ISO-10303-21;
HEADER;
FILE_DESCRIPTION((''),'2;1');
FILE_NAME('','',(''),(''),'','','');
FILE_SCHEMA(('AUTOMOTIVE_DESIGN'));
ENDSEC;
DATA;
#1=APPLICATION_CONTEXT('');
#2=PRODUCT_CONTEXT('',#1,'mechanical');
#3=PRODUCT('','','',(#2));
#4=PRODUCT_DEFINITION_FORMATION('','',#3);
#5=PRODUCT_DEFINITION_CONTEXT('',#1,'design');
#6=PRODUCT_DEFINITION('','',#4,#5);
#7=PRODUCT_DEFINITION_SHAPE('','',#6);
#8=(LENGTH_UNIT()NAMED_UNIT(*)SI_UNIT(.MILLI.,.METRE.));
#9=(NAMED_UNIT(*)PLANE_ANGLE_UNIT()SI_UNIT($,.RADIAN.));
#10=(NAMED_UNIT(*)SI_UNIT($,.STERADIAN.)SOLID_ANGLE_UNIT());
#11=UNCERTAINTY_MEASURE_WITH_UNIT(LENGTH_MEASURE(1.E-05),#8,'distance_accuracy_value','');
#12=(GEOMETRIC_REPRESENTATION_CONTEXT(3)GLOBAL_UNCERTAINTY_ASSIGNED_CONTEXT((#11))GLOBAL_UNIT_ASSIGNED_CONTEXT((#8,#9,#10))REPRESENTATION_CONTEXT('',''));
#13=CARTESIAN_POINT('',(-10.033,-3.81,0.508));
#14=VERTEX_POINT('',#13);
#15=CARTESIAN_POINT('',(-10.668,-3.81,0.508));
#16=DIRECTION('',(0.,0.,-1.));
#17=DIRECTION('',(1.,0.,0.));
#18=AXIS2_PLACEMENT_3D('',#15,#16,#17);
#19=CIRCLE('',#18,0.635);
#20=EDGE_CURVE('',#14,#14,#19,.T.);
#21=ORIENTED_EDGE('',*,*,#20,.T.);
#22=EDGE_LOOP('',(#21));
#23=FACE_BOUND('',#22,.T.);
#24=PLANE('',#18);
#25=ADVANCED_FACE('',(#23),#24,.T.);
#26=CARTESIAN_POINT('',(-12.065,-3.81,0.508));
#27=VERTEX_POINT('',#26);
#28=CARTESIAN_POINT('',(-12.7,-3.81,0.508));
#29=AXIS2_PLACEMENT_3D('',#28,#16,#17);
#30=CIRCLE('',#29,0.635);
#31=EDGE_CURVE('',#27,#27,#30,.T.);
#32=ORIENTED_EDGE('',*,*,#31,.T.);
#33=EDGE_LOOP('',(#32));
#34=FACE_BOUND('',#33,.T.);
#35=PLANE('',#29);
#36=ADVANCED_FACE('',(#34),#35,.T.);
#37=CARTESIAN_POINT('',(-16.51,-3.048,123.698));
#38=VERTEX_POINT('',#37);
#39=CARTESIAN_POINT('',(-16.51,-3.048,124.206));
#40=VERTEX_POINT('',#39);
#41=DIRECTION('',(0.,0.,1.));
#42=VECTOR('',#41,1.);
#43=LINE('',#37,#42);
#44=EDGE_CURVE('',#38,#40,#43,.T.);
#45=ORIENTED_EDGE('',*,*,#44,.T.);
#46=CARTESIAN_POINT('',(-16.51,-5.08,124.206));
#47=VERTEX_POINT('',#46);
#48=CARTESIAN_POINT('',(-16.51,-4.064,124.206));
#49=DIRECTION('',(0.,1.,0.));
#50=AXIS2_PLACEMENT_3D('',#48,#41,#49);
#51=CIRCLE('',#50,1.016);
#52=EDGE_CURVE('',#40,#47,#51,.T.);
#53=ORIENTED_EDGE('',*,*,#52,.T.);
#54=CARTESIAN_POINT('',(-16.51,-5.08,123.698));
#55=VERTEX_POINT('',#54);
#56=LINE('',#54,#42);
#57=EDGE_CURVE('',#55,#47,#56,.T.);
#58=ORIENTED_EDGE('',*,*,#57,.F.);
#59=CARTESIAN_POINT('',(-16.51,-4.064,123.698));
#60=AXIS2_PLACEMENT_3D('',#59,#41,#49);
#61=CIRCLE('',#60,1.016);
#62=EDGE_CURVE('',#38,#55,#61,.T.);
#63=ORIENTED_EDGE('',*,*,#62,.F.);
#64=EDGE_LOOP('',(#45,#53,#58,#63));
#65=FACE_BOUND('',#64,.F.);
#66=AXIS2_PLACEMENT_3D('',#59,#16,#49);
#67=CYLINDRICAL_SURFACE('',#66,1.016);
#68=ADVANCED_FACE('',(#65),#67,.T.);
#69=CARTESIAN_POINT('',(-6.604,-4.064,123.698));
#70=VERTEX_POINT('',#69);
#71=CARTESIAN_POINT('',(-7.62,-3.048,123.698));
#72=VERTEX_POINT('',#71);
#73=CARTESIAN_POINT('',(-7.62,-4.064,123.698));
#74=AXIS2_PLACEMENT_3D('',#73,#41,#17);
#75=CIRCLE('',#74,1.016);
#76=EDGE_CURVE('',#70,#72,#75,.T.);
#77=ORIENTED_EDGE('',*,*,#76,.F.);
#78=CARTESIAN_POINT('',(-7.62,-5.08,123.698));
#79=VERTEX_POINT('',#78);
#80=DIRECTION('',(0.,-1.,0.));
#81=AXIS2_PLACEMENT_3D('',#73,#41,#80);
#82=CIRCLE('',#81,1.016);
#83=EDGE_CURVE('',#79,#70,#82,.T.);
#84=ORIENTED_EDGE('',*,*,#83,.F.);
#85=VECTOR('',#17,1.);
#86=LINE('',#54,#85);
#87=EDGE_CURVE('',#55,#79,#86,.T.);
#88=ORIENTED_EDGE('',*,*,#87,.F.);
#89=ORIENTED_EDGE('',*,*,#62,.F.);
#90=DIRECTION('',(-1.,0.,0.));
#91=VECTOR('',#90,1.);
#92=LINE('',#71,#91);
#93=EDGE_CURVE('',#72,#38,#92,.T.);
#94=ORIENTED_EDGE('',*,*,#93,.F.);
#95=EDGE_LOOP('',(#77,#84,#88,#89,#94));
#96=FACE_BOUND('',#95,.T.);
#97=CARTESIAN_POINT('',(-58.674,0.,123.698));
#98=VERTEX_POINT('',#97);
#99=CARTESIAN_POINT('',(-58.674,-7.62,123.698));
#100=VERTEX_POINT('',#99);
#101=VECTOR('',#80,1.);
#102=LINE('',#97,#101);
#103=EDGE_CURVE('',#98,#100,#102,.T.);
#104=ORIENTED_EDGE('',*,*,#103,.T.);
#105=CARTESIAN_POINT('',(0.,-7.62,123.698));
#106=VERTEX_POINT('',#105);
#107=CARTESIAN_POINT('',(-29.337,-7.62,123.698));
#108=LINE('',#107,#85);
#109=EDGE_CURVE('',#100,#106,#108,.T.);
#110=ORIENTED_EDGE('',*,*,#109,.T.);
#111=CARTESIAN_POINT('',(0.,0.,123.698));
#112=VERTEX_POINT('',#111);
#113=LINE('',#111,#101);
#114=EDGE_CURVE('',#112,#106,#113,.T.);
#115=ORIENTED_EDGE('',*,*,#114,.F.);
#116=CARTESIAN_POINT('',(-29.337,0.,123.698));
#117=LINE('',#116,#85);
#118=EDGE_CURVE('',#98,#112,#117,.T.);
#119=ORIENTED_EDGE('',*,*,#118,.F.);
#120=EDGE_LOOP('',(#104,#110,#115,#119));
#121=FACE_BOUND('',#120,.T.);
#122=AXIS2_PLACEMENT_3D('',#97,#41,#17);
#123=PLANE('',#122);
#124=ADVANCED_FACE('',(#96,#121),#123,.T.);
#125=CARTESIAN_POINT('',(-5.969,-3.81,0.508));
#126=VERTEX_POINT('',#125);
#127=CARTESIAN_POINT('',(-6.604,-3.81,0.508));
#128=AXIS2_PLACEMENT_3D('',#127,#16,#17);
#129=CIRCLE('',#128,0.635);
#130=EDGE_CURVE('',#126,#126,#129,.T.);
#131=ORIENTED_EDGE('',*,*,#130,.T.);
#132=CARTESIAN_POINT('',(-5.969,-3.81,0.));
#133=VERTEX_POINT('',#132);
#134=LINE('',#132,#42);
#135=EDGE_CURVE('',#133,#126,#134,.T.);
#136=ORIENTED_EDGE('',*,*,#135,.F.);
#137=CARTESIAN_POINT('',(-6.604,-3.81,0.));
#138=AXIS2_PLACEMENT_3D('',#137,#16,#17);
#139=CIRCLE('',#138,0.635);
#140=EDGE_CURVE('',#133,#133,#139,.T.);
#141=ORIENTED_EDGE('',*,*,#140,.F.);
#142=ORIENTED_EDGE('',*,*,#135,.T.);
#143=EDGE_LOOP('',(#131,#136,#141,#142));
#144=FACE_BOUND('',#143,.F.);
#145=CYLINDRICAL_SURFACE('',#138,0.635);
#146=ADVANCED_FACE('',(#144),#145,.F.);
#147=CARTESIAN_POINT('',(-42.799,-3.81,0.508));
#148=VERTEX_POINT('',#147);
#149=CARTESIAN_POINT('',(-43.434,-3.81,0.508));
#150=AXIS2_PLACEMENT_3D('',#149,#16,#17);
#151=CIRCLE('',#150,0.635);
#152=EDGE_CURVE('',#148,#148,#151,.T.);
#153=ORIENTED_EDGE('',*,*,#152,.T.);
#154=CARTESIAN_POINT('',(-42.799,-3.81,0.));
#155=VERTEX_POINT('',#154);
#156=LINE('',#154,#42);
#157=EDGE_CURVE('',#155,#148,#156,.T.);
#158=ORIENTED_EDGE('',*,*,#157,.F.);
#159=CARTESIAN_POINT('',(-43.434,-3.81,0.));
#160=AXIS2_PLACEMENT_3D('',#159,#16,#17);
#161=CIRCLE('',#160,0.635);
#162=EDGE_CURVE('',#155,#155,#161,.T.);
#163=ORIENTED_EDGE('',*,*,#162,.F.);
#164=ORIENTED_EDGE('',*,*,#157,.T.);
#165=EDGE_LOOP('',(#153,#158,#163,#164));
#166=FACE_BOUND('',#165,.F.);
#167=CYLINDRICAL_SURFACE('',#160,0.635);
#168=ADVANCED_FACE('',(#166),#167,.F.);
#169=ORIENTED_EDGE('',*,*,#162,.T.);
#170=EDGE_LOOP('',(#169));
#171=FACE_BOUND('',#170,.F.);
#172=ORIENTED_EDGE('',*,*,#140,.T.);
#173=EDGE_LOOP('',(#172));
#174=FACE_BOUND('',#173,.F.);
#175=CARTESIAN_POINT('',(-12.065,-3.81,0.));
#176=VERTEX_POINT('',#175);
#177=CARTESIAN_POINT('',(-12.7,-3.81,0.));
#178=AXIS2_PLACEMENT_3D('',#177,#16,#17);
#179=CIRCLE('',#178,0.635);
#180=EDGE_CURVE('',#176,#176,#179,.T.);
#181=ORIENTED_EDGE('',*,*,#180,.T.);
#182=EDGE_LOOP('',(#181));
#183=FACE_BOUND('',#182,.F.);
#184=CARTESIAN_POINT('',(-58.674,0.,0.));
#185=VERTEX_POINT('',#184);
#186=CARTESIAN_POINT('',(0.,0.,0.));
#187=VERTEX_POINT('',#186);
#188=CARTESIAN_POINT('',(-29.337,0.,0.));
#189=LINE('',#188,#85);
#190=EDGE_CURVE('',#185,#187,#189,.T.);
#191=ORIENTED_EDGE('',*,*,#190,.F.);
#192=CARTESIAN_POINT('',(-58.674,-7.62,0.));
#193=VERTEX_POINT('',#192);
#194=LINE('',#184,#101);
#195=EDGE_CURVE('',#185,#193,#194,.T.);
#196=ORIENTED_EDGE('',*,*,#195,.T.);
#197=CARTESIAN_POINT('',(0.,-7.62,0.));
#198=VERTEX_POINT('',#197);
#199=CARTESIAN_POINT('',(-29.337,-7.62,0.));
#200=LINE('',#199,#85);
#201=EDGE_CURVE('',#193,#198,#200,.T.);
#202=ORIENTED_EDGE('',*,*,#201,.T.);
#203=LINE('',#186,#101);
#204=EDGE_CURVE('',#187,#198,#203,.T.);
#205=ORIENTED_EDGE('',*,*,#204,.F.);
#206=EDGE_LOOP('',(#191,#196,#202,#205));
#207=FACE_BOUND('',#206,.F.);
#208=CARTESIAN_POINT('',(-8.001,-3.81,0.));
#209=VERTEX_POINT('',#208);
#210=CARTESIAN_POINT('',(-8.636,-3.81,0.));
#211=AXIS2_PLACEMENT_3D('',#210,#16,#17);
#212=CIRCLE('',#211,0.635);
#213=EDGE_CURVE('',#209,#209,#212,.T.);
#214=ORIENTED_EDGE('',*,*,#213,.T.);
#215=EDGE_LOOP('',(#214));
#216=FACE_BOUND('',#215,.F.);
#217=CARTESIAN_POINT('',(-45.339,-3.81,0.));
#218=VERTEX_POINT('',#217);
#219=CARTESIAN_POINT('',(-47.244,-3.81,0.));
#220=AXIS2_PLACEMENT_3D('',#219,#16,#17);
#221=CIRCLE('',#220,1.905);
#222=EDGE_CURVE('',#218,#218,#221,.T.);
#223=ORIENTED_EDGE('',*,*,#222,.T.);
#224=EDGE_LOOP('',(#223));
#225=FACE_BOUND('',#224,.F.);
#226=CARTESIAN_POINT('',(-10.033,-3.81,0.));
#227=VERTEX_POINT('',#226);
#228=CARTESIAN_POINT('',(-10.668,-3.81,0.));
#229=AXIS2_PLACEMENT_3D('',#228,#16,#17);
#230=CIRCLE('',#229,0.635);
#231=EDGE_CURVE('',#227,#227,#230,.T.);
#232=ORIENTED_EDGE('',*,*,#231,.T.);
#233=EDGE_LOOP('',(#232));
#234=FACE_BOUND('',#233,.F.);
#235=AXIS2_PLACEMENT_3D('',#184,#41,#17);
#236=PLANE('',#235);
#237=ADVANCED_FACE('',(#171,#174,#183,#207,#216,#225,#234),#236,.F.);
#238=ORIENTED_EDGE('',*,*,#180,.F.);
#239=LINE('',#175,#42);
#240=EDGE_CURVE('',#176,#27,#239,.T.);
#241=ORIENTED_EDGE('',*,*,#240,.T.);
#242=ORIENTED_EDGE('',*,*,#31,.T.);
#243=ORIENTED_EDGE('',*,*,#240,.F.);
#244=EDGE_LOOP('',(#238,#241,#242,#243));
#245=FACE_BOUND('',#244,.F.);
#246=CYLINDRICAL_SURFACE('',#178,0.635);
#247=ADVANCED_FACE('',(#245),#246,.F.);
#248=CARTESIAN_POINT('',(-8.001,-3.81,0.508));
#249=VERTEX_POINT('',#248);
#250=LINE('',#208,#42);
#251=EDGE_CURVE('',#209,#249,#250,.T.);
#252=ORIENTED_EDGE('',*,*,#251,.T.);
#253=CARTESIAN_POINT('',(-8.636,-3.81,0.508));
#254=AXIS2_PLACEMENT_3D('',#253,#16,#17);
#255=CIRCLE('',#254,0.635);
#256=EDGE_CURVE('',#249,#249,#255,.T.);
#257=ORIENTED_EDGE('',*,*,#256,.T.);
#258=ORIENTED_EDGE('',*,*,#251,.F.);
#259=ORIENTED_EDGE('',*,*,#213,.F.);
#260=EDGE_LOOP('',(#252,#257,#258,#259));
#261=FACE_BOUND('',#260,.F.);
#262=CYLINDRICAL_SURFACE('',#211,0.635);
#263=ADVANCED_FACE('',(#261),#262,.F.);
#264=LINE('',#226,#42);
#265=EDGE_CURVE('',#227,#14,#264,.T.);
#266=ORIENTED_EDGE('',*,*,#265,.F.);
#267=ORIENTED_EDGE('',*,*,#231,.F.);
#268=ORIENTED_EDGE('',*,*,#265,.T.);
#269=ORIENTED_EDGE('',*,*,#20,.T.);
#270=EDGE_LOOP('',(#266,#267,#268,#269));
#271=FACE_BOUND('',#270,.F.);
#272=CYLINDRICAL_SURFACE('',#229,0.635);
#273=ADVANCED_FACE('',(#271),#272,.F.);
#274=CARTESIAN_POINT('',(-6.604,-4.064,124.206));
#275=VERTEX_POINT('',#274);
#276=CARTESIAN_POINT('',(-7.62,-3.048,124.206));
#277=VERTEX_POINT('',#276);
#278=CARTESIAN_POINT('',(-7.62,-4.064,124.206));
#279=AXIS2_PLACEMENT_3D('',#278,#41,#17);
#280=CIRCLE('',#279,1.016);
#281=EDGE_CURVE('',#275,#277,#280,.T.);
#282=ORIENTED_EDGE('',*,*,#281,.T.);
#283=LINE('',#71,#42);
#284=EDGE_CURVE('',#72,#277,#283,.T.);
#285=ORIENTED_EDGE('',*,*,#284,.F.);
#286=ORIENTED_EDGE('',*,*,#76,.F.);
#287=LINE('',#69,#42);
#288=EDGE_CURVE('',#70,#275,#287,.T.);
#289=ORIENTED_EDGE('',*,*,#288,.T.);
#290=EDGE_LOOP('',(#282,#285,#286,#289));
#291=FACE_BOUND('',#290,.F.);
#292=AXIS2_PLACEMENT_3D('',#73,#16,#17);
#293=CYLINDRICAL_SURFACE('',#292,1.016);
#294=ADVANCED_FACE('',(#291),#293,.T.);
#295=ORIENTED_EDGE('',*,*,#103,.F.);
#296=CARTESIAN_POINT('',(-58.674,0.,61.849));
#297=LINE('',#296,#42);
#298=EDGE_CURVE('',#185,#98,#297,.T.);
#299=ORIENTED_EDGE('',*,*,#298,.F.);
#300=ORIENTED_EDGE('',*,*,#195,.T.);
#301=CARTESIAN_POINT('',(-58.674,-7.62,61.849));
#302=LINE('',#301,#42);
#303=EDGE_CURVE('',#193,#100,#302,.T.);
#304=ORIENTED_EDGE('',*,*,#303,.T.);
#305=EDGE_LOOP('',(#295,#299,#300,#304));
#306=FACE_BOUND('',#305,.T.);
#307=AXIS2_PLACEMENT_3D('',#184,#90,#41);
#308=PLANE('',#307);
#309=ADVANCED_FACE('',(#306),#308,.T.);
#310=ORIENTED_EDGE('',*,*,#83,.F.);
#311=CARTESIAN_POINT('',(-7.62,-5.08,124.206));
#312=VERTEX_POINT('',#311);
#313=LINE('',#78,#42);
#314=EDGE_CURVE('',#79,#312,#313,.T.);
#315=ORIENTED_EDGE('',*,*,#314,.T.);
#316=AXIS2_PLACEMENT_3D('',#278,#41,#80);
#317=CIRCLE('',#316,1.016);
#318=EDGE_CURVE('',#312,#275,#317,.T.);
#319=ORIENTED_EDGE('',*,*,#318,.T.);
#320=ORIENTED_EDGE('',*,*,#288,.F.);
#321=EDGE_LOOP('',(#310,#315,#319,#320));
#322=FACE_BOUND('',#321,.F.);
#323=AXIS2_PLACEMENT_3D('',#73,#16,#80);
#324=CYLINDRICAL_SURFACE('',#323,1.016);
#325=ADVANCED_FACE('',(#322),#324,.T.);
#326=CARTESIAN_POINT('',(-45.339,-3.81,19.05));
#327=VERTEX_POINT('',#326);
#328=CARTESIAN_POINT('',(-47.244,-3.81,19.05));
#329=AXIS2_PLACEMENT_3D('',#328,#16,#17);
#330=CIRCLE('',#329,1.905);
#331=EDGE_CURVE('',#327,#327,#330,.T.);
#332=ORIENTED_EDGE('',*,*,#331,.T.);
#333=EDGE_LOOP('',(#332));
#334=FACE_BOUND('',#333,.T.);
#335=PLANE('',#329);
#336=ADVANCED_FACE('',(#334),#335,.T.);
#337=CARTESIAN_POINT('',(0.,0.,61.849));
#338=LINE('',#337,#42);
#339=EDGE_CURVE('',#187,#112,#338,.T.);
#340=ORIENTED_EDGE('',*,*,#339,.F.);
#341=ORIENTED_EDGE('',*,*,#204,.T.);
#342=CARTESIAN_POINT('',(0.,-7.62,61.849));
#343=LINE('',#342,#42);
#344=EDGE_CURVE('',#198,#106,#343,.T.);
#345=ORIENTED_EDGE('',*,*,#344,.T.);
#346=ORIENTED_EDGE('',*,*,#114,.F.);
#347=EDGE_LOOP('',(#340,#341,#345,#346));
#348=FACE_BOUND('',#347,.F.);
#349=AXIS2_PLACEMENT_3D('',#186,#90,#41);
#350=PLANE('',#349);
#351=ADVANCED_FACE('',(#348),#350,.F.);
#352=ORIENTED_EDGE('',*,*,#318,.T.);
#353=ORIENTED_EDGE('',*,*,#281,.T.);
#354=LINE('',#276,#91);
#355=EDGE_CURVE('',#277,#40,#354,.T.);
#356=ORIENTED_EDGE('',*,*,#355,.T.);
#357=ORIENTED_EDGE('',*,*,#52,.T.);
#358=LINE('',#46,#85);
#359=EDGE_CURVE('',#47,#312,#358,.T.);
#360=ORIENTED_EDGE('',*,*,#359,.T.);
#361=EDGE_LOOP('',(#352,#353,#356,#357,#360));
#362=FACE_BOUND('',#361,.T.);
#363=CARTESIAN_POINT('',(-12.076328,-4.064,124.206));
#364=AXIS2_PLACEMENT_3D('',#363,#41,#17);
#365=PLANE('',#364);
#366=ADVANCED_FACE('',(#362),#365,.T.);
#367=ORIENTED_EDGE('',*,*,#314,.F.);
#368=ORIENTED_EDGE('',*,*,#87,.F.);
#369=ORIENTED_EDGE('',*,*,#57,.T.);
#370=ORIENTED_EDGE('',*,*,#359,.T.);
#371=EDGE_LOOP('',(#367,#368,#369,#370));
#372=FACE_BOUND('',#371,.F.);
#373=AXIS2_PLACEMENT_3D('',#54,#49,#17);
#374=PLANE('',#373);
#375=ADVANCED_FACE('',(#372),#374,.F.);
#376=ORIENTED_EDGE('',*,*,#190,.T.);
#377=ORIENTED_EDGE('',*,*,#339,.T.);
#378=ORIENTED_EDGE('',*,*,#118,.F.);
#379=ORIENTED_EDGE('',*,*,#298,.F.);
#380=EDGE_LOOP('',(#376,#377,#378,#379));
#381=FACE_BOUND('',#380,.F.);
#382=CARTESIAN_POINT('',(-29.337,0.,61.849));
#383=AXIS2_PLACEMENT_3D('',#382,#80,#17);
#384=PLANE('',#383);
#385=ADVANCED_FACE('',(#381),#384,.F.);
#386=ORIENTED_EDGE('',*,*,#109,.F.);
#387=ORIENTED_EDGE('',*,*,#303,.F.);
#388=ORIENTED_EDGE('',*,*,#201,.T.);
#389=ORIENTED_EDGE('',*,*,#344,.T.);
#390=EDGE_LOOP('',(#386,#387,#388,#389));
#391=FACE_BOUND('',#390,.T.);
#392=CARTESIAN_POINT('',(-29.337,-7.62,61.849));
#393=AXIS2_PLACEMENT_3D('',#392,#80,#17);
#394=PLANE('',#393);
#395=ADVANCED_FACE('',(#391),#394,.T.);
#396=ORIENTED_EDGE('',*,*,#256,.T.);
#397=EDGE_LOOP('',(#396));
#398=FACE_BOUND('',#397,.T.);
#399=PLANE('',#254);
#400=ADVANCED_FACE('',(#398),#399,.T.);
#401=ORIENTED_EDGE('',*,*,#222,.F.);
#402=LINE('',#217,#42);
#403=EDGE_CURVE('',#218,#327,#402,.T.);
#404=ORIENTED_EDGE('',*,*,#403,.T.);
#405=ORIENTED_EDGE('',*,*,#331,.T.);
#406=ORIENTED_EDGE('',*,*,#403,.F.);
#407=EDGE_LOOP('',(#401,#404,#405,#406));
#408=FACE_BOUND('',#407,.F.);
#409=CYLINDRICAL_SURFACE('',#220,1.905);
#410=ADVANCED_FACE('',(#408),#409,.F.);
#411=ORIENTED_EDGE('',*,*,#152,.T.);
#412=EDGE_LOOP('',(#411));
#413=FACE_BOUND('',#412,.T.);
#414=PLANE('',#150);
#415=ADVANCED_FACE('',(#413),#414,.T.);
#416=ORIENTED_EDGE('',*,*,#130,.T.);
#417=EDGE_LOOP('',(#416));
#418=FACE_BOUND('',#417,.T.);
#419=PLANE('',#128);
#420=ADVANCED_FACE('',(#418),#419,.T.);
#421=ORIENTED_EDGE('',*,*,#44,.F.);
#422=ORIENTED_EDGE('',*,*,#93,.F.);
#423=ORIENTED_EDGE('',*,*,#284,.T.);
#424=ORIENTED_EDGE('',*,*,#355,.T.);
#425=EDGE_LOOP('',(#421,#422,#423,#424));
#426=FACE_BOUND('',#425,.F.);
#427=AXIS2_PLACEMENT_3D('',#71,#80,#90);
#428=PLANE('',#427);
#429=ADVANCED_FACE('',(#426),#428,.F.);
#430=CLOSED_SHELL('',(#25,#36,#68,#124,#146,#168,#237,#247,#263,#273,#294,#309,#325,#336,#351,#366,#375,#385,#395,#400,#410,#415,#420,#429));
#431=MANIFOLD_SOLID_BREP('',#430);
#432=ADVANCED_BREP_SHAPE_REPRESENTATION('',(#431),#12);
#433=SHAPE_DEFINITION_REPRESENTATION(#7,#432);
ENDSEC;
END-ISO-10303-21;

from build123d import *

# Parameters (mm, degrees)
F0_W     = 58.674
F0_H     = 123.698
F1_DEPTH = 7.62
F3_DEPTH = 0.508
F4_R     = 1.905
F5_DEPTH = 19.05
F6_R     = 0.635
F7_DEPTH = 0.508


with BuildPart() as f1:
    # F0 (on Front) → F1 (new body)
    with BuildSketch(Plane.XZ):
        with Locations((-29.337, 61.849)):
            Rectangle(F0_W, F0_H)
    extrude(amount=F1_DEPTH)

    # F2 (on face) → F3 (join)
    with BuildSketch(Plane.XY.offset(123.698)):
        with BuildLine():
            ThreePointArc((-15.494, -4.064), (-15.7915795103, -4.7824204897), (-16.51, -5.08))
            Line((-16.51, -5.08), (-7.62, -5.08))
            ThreePointArc((-7.62, -5.08), (-8.636, -4.064), (-7.62, -3.048))
            Line((-7.62, -3.048), (-16.51, -3.048))
            ThreePointArc((-16.51, -3.048), (-15.7915795103, -3.3455795103), (-15.494, -4.064))
        make_face()
        with BuildLine():
            ThreePointArc((-16.51, -3.048), (-17.526, -4.064), (-16.51, -5.08))
            Line((-16.51, -5.08), (-16.51, -3.048))
        make_face()
        with BuildLine():
            Line((-16.51, -3.048), (-16.51, -5.08))
            ThreePointArc((-16.51, -5.08), (-15.7915795103, -4.7824204897), (-15.494, -4.064))
            ThreePointArc((-15.494, -4.064), (-15.7915795103, -3.3455795103), (-16.51, -3.048))
        make_face()
        with BuildLine():
            ThreePointArc((-7.62, -3.048), (-8.636, -4.064), (-7.62, -5.08))
            Line((-7.62, -5.08), (-7.62, -3.048))
        make_face()
        with BuildLine():
            Line((-7.62, -3.048), (-7.62, -5.08))
            ThreePointArc((-7.62, -5.08), (-6.9015795103, -4.7824204897), (-6.604, -4.064))
            ThreePointArc((-6.604, -4.064), (-6.9015795103, -3.3455795103), (-7.62, -3.048))
        make_face()
    extrude(amount=F3_DEPTH)

    # F4 (on face) → F5 (cut)
    with BuildSketch(Plane(origin=(0, 0, 0), x_dir=(1, 0, 0), z_dir=(0, 0, -1))):
        with Locations((-47.244, 3.81)):
            Circle(F4_R)
    extrude(amount=-F5_DEPTH, mode=Mode.SUBTRACT)

    # F6 (on face) → F7 (cut)
    with BuildSketch(Plane(origin=(0, 0, 0), x_dir=(1, 0, 0), z_dir=(0, 0, -1))):
        with Locations((-43.434, 3.8100001402)):
            Circle(F6_R)
        with Locations((-12.7, 3.81)):
            Circle(F6_R)
        with Locations((-10.668, 3.81)):
            Circle(F6_R)
        with Locations((-8.636, 3.81)):
            Circle(F6_R)
        with Locations((-6.604, 3.81)):
            Circle(F6_R)
    extrude(amount=-F7_DEPTH, mode=Mode.SUBTRACT)


solid = f1.part
